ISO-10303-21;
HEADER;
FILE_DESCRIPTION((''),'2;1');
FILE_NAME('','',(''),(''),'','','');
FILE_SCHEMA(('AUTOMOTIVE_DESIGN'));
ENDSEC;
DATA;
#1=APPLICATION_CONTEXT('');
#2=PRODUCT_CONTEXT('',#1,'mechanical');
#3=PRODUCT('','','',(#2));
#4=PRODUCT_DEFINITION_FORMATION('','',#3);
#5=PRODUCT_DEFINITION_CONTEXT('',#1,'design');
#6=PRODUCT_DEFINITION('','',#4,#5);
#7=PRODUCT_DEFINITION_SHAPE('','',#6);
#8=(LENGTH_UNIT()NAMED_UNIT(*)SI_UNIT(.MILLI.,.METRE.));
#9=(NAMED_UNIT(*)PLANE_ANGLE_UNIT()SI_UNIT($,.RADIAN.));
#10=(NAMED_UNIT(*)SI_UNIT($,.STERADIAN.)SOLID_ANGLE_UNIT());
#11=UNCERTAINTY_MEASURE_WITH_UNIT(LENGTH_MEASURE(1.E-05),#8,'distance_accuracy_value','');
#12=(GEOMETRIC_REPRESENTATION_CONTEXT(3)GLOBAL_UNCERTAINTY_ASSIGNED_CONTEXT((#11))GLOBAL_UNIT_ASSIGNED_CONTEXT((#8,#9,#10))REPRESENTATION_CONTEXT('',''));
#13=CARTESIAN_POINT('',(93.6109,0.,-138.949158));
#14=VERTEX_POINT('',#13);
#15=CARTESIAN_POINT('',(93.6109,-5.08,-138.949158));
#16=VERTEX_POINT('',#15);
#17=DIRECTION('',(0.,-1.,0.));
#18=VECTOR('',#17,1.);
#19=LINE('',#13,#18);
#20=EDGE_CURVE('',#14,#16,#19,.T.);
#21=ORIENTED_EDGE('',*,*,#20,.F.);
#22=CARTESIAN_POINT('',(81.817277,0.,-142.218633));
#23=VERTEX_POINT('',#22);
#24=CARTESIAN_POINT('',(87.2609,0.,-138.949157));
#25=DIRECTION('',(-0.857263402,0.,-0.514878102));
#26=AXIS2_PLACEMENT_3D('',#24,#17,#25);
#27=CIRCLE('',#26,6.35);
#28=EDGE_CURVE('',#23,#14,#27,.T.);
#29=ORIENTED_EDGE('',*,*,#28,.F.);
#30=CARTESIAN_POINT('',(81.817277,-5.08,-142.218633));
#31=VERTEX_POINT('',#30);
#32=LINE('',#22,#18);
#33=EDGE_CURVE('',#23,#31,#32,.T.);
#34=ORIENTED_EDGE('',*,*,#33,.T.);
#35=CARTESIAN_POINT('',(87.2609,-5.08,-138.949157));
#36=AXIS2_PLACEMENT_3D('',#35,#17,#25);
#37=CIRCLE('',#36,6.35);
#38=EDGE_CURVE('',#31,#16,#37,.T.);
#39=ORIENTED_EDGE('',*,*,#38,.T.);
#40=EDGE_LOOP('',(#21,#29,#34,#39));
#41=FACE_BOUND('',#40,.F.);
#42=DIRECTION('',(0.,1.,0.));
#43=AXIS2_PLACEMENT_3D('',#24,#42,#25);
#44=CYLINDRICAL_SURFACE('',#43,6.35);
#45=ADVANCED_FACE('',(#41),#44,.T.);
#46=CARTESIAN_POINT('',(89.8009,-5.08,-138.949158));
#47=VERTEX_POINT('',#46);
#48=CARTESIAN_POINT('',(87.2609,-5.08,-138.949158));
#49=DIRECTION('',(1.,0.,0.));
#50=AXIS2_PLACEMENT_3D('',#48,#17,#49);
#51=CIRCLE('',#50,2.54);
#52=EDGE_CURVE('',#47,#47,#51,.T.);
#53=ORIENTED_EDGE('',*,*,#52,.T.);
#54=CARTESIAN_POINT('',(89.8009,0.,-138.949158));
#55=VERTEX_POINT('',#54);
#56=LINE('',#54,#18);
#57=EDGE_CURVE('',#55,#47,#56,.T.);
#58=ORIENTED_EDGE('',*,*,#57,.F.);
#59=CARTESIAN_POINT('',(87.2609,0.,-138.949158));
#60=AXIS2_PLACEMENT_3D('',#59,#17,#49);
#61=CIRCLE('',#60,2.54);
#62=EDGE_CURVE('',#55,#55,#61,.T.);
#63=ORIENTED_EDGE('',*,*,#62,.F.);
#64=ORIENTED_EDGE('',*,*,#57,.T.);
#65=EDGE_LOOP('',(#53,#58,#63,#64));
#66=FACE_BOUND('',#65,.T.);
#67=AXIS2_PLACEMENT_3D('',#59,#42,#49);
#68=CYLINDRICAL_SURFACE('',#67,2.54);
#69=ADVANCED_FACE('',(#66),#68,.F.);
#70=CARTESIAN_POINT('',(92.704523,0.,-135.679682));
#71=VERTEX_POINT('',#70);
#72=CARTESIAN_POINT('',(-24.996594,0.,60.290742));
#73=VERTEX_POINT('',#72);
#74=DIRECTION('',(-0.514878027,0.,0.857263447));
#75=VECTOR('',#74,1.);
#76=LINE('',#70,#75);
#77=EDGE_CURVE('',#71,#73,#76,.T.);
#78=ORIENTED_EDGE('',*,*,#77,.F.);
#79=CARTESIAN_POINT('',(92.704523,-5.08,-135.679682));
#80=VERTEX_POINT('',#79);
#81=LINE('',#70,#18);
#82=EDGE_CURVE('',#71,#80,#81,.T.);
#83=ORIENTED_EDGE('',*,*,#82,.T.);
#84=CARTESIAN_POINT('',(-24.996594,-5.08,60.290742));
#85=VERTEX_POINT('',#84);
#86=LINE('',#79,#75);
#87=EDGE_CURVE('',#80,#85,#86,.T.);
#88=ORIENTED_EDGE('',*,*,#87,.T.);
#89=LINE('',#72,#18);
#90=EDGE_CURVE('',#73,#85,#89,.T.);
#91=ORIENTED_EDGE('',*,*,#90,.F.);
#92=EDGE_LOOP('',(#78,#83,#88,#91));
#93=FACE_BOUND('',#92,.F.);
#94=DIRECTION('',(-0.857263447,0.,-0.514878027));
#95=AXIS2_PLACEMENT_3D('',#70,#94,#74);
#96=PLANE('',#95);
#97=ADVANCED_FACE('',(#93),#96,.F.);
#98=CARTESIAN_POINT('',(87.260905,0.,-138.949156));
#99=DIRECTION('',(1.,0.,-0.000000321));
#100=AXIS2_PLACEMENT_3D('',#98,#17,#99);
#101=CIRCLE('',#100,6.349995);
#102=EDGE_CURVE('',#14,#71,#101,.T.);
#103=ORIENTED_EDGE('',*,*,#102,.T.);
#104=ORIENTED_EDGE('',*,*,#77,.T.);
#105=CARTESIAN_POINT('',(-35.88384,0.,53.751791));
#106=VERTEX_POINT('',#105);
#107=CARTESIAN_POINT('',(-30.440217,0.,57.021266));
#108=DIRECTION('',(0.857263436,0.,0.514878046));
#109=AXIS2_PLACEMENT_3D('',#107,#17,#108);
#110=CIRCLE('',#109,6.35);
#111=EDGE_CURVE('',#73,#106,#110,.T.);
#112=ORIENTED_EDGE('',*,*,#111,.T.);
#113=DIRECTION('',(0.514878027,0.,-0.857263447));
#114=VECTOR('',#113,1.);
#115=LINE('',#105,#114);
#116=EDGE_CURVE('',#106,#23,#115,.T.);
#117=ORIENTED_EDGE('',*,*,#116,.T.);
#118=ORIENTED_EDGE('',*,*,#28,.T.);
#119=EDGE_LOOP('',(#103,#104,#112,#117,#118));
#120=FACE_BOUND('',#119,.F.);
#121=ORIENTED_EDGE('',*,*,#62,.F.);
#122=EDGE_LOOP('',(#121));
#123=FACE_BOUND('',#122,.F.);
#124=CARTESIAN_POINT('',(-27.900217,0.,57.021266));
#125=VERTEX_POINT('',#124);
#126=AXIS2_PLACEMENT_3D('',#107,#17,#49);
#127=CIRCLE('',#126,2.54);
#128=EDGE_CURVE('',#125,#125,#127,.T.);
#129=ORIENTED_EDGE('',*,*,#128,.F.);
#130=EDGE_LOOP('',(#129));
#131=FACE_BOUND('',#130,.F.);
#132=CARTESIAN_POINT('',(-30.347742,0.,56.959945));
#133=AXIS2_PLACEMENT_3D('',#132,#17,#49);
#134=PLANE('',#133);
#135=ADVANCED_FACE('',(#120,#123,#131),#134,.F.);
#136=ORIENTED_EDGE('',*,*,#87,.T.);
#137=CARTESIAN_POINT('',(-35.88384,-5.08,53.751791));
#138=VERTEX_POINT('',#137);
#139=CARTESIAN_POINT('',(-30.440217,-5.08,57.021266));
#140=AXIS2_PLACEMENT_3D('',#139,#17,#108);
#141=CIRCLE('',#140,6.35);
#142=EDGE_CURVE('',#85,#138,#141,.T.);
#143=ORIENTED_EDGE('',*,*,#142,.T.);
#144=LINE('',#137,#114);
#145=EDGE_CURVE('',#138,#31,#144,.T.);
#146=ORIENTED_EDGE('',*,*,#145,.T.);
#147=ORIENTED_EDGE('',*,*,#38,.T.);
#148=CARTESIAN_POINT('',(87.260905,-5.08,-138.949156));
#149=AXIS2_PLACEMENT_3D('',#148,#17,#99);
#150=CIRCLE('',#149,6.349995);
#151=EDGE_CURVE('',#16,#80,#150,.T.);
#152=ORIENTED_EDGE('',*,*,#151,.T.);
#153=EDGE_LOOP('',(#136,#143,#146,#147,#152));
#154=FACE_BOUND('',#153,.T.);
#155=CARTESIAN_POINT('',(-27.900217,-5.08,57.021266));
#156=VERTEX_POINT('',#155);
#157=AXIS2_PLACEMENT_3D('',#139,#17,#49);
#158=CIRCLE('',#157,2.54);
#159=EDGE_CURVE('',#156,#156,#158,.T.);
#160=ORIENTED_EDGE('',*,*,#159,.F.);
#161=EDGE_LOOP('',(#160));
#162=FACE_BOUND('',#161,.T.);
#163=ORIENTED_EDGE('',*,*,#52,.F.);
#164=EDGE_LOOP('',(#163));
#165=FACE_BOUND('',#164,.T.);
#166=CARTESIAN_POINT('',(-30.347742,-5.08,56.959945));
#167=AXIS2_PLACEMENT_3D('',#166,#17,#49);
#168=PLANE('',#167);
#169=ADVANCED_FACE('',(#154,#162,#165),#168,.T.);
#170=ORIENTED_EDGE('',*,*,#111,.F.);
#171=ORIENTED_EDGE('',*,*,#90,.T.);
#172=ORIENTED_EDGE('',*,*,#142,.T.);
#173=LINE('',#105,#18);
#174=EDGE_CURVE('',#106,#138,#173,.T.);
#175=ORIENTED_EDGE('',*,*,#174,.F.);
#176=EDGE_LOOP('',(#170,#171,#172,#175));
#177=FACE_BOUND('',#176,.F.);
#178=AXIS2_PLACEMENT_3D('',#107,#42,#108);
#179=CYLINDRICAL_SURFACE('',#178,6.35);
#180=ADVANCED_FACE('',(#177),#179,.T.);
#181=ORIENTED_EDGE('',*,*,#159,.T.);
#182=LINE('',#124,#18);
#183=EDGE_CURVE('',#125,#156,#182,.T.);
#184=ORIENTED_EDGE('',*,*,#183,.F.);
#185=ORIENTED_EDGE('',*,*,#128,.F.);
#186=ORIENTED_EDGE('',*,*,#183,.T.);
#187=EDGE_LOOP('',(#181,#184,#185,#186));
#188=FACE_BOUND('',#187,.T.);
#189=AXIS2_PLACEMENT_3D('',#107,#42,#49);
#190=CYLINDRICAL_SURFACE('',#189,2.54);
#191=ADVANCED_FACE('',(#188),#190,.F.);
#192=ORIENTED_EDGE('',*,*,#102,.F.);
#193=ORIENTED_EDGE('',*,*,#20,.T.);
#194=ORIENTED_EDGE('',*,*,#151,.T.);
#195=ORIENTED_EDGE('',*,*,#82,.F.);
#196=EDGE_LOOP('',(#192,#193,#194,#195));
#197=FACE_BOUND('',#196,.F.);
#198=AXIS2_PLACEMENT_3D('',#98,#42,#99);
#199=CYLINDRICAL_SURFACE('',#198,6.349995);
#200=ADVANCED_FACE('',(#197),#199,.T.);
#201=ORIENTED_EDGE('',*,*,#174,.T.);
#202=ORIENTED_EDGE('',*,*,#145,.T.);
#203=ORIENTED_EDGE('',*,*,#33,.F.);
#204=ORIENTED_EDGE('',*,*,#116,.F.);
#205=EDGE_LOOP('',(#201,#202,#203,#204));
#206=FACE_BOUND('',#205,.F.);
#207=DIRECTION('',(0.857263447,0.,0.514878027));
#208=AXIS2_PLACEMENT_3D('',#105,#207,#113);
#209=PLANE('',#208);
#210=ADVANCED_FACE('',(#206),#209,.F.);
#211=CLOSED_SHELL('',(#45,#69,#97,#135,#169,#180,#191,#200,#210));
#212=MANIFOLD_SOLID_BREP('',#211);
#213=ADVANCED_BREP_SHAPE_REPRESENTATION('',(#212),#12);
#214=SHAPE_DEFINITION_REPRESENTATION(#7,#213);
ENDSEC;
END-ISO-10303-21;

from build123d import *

# Parameters (mm, degrees)
F0_R     = 2.54
F1_DEPTH = 5.08


with BuildPart() as f1:
    # F0 (on Front) → F1 (new body)
    with BuildSketch(Plane.XZ):
        with BuildLine():
            ThreePointArc((-35.88384, 53.751791), (-28.743825, 50.902055), (-24.090217, 57.021266))
            ThreePointArc((-24.090217, 57.021266), (-24.321005, 58.717659), (-24.996594, 60.290742))
            ThreePointArc((-24.996594, 60.290742), (-33.709693, 62.464889), (-35.88384, 53.751791))
        make_face()
        with Locations((-30.440217, 57.021266)):
            Circle(F0_R, mode=Mode.SUBTRACT)
        with BuildLine():
            ThreePointArc((-24.996594, 60.290742), (-24.321005, 58.717659), (-24.090217, 57.021266))
            ThreePointArc((-24.090217, 57.021266), (-28.743825, 50.902055), (-35.88384, 53.751791))
            Line((-35.88384, 53.751791), (81.817277, -142.218633))
            ThreePointArc((81.817277, -142.218633), (83.991424, -133.505535), (92.704523, -135.679682))
            Line((92.704523, -135.679682), (-24.996594, 60.290742))
        make_face()
        with BuildLine():
            ThreePointArc((93.6109, -138.949158), (93.380112, -137.252765), (92.704523, -135.679682))
            ThreePointArc((92.704523, -135.679682), (83.991424, -133.505535), (81.817277, -142.218633))
            ThreePointArc((81.817277, -142.218633), (88.957292, -145.068369), (93.6109, -138.949158))
        make_face()
        with Locations((87.2609, -138.949158)):
            Circle(F0_R, mode=Mode.SUBTRACT)
    extrude(amount=F1_DEPTH)


solid = f1.part
